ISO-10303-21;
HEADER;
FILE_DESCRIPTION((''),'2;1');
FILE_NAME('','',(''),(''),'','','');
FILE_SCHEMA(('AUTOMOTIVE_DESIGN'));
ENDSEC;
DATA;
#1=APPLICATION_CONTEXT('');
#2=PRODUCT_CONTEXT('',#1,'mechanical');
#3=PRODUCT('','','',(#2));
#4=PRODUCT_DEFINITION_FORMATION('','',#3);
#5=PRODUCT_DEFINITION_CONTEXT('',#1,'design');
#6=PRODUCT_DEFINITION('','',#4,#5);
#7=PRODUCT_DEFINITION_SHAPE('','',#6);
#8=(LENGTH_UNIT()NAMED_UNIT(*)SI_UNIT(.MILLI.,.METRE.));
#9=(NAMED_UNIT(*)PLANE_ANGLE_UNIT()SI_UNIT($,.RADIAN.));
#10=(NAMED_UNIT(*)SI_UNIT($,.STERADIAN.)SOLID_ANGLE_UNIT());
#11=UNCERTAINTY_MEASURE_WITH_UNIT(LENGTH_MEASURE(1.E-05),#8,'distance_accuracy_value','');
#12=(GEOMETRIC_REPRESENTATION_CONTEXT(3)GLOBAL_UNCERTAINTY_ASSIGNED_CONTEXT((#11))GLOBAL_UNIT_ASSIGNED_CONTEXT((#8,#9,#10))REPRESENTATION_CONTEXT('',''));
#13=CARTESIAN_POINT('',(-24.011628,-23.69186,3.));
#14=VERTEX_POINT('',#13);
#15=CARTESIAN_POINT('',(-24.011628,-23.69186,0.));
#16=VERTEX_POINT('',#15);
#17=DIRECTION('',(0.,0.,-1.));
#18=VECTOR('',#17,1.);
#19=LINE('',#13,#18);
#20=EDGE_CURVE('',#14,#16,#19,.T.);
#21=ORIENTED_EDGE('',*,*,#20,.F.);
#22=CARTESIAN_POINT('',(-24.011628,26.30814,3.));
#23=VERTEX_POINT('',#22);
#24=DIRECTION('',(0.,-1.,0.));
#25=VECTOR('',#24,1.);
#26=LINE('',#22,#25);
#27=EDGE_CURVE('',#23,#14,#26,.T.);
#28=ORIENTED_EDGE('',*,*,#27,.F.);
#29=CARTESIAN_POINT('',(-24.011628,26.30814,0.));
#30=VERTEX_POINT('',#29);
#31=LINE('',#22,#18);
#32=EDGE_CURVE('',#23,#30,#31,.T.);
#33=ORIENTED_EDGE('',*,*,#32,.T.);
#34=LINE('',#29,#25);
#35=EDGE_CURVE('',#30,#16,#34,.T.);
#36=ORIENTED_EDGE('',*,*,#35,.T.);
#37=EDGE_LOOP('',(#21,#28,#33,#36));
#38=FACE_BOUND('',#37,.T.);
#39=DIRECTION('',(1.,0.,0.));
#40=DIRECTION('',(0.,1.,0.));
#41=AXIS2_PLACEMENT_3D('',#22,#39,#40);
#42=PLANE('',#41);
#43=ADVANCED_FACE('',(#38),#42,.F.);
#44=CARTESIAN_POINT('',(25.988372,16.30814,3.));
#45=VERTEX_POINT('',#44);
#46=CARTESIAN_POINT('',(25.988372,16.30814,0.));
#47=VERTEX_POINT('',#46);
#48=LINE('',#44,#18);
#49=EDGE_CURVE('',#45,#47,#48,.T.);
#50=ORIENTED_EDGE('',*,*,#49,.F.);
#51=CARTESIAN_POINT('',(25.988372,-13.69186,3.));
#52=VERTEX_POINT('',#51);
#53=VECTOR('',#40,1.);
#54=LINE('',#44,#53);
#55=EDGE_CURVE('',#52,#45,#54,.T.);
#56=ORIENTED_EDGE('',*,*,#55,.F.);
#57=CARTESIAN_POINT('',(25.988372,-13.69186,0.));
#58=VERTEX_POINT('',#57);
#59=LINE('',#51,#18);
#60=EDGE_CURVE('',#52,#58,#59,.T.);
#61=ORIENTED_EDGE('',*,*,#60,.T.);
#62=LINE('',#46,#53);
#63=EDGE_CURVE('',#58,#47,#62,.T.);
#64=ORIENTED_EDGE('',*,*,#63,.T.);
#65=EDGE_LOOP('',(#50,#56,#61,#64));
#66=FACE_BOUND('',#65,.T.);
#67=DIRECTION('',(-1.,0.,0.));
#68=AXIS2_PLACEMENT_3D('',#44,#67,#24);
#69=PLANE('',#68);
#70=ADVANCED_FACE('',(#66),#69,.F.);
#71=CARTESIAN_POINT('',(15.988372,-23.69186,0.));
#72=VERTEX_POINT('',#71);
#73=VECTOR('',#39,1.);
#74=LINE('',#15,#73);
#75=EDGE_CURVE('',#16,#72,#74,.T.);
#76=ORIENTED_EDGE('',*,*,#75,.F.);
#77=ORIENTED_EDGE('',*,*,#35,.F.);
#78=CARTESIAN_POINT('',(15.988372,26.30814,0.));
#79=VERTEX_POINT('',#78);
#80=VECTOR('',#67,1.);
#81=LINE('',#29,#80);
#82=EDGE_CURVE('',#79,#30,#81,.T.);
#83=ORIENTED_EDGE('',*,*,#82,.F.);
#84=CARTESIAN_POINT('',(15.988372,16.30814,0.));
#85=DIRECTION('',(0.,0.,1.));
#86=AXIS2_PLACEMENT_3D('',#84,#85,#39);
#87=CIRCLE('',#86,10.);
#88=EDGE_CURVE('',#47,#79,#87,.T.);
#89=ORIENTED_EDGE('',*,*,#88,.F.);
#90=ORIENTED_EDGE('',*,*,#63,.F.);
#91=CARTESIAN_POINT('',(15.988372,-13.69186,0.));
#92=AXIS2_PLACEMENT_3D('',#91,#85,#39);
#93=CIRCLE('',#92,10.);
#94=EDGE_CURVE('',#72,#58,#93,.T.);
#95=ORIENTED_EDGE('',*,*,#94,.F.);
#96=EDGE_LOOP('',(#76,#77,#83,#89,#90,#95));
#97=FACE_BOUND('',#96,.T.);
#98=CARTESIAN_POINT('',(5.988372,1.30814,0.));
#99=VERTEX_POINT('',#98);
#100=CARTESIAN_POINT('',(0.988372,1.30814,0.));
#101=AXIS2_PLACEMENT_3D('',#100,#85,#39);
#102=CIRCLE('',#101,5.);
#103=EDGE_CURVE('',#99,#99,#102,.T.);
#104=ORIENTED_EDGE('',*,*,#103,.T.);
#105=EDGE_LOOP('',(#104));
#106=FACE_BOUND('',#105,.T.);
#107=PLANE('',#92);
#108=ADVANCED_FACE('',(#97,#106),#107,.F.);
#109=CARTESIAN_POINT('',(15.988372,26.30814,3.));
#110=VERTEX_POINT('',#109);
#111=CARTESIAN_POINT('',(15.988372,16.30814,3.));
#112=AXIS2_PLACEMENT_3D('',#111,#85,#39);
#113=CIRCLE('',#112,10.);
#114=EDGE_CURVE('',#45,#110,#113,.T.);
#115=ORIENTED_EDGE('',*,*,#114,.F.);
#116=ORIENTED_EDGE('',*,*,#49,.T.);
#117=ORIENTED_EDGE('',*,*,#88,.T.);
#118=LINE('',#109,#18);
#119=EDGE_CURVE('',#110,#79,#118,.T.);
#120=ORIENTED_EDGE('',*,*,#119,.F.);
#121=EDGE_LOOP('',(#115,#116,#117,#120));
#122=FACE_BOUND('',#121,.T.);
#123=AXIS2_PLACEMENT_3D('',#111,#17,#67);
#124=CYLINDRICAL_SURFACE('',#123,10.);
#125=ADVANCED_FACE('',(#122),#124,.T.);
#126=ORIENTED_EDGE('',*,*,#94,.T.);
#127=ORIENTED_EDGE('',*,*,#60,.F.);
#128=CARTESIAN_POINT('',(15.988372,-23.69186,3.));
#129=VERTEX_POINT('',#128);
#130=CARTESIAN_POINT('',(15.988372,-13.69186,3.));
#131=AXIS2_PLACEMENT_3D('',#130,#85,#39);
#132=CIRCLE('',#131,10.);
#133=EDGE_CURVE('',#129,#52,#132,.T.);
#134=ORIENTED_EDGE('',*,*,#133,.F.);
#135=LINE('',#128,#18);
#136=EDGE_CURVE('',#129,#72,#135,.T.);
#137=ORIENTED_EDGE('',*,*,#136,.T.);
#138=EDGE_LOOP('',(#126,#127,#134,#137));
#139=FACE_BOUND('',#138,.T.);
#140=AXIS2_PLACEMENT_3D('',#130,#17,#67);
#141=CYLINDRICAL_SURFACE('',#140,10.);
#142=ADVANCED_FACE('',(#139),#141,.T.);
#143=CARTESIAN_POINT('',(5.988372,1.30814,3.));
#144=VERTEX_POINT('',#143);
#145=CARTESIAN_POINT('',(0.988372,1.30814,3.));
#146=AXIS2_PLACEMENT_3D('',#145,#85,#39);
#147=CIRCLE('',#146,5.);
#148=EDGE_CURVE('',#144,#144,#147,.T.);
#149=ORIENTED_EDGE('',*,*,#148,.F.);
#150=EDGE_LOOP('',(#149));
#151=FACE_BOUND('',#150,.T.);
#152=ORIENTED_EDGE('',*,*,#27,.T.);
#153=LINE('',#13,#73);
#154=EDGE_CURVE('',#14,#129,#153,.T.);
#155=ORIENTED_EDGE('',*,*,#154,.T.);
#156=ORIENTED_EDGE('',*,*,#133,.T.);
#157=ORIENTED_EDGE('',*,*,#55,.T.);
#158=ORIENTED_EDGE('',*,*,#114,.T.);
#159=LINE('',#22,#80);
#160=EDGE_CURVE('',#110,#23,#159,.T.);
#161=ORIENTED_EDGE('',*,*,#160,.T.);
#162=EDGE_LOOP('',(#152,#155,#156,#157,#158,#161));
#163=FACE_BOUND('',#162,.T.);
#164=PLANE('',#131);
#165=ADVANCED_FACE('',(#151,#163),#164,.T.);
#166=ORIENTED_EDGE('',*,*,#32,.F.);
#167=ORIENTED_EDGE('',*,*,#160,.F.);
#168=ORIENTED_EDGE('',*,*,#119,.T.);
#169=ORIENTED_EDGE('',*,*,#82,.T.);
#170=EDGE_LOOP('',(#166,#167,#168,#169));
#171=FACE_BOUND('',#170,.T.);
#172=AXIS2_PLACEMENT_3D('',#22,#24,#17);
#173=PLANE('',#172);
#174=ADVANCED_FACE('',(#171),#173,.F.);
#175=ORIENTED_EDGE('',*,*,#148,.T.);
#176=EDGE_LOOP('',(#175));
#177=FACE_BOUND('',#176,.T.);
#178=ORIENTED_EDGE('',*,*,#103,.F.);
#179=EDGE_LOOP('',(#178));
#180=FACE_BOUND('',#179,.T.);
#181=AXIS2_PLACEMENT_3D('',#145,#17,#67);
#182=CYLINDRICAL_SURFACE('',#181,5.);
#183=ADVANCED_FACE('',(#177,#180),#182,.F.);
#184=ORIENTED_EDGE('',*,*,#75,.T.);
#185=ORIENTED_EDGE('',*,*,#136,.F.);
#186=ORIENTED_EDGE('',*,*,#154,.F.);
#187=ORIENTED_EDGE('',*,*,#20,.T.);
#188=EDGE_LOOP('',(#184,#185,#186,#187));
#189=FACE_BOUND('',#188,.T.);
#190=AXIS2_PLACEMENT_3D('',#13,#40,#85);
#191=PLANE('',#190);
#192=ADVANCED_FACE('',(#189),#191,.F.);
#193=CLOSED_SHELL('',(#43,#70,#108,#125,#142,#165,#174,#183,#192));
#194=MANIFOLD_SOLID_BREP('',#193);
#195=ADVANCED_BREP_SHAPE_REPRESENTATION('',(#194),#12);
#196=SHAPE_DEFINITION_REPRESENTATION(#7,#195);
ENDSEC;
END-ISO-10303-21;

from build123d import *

# Parameters (mm, degrees)
SKETCH1_R           = 5
BOSS_EXTRUDE1_DEPTH = 3


with BuildPart() as part:
    # Sketch1 → Boss-Extrude1 (new body)
    with BuildSketch(Plane.XY):
        with BuildLine():
            Line((-24.011627907, 26.308139535), (15.988372093, 26.308139535))
            ThreePointArc((15.988372093, 26.308139535), (23.059439905, 23.379207347), (25.988372093, 16.308139535))
            Line((25.988372093, 16.308139535), (25.988372093, -13.691860465))
            ThreePointArc((25.988372093, -13.691860465), (23.059439905, -20.762928277), (15.988372093, -23.691860465))
            Line((15.988372093, -23.691860465), (-24.011627907, -23.691860465))
            Line((-24.011627907, -23.691860465), (-24.011627907, 26.308139535))
        make_face()
        with Locations((0.988372093, 1.308139535)):
            Circle(SKETCH1_R, mode=Mode.SUBTRACT)
    extrude(amount=BOSS_EXTRUDE1_DEPTH)


solid = part.part
